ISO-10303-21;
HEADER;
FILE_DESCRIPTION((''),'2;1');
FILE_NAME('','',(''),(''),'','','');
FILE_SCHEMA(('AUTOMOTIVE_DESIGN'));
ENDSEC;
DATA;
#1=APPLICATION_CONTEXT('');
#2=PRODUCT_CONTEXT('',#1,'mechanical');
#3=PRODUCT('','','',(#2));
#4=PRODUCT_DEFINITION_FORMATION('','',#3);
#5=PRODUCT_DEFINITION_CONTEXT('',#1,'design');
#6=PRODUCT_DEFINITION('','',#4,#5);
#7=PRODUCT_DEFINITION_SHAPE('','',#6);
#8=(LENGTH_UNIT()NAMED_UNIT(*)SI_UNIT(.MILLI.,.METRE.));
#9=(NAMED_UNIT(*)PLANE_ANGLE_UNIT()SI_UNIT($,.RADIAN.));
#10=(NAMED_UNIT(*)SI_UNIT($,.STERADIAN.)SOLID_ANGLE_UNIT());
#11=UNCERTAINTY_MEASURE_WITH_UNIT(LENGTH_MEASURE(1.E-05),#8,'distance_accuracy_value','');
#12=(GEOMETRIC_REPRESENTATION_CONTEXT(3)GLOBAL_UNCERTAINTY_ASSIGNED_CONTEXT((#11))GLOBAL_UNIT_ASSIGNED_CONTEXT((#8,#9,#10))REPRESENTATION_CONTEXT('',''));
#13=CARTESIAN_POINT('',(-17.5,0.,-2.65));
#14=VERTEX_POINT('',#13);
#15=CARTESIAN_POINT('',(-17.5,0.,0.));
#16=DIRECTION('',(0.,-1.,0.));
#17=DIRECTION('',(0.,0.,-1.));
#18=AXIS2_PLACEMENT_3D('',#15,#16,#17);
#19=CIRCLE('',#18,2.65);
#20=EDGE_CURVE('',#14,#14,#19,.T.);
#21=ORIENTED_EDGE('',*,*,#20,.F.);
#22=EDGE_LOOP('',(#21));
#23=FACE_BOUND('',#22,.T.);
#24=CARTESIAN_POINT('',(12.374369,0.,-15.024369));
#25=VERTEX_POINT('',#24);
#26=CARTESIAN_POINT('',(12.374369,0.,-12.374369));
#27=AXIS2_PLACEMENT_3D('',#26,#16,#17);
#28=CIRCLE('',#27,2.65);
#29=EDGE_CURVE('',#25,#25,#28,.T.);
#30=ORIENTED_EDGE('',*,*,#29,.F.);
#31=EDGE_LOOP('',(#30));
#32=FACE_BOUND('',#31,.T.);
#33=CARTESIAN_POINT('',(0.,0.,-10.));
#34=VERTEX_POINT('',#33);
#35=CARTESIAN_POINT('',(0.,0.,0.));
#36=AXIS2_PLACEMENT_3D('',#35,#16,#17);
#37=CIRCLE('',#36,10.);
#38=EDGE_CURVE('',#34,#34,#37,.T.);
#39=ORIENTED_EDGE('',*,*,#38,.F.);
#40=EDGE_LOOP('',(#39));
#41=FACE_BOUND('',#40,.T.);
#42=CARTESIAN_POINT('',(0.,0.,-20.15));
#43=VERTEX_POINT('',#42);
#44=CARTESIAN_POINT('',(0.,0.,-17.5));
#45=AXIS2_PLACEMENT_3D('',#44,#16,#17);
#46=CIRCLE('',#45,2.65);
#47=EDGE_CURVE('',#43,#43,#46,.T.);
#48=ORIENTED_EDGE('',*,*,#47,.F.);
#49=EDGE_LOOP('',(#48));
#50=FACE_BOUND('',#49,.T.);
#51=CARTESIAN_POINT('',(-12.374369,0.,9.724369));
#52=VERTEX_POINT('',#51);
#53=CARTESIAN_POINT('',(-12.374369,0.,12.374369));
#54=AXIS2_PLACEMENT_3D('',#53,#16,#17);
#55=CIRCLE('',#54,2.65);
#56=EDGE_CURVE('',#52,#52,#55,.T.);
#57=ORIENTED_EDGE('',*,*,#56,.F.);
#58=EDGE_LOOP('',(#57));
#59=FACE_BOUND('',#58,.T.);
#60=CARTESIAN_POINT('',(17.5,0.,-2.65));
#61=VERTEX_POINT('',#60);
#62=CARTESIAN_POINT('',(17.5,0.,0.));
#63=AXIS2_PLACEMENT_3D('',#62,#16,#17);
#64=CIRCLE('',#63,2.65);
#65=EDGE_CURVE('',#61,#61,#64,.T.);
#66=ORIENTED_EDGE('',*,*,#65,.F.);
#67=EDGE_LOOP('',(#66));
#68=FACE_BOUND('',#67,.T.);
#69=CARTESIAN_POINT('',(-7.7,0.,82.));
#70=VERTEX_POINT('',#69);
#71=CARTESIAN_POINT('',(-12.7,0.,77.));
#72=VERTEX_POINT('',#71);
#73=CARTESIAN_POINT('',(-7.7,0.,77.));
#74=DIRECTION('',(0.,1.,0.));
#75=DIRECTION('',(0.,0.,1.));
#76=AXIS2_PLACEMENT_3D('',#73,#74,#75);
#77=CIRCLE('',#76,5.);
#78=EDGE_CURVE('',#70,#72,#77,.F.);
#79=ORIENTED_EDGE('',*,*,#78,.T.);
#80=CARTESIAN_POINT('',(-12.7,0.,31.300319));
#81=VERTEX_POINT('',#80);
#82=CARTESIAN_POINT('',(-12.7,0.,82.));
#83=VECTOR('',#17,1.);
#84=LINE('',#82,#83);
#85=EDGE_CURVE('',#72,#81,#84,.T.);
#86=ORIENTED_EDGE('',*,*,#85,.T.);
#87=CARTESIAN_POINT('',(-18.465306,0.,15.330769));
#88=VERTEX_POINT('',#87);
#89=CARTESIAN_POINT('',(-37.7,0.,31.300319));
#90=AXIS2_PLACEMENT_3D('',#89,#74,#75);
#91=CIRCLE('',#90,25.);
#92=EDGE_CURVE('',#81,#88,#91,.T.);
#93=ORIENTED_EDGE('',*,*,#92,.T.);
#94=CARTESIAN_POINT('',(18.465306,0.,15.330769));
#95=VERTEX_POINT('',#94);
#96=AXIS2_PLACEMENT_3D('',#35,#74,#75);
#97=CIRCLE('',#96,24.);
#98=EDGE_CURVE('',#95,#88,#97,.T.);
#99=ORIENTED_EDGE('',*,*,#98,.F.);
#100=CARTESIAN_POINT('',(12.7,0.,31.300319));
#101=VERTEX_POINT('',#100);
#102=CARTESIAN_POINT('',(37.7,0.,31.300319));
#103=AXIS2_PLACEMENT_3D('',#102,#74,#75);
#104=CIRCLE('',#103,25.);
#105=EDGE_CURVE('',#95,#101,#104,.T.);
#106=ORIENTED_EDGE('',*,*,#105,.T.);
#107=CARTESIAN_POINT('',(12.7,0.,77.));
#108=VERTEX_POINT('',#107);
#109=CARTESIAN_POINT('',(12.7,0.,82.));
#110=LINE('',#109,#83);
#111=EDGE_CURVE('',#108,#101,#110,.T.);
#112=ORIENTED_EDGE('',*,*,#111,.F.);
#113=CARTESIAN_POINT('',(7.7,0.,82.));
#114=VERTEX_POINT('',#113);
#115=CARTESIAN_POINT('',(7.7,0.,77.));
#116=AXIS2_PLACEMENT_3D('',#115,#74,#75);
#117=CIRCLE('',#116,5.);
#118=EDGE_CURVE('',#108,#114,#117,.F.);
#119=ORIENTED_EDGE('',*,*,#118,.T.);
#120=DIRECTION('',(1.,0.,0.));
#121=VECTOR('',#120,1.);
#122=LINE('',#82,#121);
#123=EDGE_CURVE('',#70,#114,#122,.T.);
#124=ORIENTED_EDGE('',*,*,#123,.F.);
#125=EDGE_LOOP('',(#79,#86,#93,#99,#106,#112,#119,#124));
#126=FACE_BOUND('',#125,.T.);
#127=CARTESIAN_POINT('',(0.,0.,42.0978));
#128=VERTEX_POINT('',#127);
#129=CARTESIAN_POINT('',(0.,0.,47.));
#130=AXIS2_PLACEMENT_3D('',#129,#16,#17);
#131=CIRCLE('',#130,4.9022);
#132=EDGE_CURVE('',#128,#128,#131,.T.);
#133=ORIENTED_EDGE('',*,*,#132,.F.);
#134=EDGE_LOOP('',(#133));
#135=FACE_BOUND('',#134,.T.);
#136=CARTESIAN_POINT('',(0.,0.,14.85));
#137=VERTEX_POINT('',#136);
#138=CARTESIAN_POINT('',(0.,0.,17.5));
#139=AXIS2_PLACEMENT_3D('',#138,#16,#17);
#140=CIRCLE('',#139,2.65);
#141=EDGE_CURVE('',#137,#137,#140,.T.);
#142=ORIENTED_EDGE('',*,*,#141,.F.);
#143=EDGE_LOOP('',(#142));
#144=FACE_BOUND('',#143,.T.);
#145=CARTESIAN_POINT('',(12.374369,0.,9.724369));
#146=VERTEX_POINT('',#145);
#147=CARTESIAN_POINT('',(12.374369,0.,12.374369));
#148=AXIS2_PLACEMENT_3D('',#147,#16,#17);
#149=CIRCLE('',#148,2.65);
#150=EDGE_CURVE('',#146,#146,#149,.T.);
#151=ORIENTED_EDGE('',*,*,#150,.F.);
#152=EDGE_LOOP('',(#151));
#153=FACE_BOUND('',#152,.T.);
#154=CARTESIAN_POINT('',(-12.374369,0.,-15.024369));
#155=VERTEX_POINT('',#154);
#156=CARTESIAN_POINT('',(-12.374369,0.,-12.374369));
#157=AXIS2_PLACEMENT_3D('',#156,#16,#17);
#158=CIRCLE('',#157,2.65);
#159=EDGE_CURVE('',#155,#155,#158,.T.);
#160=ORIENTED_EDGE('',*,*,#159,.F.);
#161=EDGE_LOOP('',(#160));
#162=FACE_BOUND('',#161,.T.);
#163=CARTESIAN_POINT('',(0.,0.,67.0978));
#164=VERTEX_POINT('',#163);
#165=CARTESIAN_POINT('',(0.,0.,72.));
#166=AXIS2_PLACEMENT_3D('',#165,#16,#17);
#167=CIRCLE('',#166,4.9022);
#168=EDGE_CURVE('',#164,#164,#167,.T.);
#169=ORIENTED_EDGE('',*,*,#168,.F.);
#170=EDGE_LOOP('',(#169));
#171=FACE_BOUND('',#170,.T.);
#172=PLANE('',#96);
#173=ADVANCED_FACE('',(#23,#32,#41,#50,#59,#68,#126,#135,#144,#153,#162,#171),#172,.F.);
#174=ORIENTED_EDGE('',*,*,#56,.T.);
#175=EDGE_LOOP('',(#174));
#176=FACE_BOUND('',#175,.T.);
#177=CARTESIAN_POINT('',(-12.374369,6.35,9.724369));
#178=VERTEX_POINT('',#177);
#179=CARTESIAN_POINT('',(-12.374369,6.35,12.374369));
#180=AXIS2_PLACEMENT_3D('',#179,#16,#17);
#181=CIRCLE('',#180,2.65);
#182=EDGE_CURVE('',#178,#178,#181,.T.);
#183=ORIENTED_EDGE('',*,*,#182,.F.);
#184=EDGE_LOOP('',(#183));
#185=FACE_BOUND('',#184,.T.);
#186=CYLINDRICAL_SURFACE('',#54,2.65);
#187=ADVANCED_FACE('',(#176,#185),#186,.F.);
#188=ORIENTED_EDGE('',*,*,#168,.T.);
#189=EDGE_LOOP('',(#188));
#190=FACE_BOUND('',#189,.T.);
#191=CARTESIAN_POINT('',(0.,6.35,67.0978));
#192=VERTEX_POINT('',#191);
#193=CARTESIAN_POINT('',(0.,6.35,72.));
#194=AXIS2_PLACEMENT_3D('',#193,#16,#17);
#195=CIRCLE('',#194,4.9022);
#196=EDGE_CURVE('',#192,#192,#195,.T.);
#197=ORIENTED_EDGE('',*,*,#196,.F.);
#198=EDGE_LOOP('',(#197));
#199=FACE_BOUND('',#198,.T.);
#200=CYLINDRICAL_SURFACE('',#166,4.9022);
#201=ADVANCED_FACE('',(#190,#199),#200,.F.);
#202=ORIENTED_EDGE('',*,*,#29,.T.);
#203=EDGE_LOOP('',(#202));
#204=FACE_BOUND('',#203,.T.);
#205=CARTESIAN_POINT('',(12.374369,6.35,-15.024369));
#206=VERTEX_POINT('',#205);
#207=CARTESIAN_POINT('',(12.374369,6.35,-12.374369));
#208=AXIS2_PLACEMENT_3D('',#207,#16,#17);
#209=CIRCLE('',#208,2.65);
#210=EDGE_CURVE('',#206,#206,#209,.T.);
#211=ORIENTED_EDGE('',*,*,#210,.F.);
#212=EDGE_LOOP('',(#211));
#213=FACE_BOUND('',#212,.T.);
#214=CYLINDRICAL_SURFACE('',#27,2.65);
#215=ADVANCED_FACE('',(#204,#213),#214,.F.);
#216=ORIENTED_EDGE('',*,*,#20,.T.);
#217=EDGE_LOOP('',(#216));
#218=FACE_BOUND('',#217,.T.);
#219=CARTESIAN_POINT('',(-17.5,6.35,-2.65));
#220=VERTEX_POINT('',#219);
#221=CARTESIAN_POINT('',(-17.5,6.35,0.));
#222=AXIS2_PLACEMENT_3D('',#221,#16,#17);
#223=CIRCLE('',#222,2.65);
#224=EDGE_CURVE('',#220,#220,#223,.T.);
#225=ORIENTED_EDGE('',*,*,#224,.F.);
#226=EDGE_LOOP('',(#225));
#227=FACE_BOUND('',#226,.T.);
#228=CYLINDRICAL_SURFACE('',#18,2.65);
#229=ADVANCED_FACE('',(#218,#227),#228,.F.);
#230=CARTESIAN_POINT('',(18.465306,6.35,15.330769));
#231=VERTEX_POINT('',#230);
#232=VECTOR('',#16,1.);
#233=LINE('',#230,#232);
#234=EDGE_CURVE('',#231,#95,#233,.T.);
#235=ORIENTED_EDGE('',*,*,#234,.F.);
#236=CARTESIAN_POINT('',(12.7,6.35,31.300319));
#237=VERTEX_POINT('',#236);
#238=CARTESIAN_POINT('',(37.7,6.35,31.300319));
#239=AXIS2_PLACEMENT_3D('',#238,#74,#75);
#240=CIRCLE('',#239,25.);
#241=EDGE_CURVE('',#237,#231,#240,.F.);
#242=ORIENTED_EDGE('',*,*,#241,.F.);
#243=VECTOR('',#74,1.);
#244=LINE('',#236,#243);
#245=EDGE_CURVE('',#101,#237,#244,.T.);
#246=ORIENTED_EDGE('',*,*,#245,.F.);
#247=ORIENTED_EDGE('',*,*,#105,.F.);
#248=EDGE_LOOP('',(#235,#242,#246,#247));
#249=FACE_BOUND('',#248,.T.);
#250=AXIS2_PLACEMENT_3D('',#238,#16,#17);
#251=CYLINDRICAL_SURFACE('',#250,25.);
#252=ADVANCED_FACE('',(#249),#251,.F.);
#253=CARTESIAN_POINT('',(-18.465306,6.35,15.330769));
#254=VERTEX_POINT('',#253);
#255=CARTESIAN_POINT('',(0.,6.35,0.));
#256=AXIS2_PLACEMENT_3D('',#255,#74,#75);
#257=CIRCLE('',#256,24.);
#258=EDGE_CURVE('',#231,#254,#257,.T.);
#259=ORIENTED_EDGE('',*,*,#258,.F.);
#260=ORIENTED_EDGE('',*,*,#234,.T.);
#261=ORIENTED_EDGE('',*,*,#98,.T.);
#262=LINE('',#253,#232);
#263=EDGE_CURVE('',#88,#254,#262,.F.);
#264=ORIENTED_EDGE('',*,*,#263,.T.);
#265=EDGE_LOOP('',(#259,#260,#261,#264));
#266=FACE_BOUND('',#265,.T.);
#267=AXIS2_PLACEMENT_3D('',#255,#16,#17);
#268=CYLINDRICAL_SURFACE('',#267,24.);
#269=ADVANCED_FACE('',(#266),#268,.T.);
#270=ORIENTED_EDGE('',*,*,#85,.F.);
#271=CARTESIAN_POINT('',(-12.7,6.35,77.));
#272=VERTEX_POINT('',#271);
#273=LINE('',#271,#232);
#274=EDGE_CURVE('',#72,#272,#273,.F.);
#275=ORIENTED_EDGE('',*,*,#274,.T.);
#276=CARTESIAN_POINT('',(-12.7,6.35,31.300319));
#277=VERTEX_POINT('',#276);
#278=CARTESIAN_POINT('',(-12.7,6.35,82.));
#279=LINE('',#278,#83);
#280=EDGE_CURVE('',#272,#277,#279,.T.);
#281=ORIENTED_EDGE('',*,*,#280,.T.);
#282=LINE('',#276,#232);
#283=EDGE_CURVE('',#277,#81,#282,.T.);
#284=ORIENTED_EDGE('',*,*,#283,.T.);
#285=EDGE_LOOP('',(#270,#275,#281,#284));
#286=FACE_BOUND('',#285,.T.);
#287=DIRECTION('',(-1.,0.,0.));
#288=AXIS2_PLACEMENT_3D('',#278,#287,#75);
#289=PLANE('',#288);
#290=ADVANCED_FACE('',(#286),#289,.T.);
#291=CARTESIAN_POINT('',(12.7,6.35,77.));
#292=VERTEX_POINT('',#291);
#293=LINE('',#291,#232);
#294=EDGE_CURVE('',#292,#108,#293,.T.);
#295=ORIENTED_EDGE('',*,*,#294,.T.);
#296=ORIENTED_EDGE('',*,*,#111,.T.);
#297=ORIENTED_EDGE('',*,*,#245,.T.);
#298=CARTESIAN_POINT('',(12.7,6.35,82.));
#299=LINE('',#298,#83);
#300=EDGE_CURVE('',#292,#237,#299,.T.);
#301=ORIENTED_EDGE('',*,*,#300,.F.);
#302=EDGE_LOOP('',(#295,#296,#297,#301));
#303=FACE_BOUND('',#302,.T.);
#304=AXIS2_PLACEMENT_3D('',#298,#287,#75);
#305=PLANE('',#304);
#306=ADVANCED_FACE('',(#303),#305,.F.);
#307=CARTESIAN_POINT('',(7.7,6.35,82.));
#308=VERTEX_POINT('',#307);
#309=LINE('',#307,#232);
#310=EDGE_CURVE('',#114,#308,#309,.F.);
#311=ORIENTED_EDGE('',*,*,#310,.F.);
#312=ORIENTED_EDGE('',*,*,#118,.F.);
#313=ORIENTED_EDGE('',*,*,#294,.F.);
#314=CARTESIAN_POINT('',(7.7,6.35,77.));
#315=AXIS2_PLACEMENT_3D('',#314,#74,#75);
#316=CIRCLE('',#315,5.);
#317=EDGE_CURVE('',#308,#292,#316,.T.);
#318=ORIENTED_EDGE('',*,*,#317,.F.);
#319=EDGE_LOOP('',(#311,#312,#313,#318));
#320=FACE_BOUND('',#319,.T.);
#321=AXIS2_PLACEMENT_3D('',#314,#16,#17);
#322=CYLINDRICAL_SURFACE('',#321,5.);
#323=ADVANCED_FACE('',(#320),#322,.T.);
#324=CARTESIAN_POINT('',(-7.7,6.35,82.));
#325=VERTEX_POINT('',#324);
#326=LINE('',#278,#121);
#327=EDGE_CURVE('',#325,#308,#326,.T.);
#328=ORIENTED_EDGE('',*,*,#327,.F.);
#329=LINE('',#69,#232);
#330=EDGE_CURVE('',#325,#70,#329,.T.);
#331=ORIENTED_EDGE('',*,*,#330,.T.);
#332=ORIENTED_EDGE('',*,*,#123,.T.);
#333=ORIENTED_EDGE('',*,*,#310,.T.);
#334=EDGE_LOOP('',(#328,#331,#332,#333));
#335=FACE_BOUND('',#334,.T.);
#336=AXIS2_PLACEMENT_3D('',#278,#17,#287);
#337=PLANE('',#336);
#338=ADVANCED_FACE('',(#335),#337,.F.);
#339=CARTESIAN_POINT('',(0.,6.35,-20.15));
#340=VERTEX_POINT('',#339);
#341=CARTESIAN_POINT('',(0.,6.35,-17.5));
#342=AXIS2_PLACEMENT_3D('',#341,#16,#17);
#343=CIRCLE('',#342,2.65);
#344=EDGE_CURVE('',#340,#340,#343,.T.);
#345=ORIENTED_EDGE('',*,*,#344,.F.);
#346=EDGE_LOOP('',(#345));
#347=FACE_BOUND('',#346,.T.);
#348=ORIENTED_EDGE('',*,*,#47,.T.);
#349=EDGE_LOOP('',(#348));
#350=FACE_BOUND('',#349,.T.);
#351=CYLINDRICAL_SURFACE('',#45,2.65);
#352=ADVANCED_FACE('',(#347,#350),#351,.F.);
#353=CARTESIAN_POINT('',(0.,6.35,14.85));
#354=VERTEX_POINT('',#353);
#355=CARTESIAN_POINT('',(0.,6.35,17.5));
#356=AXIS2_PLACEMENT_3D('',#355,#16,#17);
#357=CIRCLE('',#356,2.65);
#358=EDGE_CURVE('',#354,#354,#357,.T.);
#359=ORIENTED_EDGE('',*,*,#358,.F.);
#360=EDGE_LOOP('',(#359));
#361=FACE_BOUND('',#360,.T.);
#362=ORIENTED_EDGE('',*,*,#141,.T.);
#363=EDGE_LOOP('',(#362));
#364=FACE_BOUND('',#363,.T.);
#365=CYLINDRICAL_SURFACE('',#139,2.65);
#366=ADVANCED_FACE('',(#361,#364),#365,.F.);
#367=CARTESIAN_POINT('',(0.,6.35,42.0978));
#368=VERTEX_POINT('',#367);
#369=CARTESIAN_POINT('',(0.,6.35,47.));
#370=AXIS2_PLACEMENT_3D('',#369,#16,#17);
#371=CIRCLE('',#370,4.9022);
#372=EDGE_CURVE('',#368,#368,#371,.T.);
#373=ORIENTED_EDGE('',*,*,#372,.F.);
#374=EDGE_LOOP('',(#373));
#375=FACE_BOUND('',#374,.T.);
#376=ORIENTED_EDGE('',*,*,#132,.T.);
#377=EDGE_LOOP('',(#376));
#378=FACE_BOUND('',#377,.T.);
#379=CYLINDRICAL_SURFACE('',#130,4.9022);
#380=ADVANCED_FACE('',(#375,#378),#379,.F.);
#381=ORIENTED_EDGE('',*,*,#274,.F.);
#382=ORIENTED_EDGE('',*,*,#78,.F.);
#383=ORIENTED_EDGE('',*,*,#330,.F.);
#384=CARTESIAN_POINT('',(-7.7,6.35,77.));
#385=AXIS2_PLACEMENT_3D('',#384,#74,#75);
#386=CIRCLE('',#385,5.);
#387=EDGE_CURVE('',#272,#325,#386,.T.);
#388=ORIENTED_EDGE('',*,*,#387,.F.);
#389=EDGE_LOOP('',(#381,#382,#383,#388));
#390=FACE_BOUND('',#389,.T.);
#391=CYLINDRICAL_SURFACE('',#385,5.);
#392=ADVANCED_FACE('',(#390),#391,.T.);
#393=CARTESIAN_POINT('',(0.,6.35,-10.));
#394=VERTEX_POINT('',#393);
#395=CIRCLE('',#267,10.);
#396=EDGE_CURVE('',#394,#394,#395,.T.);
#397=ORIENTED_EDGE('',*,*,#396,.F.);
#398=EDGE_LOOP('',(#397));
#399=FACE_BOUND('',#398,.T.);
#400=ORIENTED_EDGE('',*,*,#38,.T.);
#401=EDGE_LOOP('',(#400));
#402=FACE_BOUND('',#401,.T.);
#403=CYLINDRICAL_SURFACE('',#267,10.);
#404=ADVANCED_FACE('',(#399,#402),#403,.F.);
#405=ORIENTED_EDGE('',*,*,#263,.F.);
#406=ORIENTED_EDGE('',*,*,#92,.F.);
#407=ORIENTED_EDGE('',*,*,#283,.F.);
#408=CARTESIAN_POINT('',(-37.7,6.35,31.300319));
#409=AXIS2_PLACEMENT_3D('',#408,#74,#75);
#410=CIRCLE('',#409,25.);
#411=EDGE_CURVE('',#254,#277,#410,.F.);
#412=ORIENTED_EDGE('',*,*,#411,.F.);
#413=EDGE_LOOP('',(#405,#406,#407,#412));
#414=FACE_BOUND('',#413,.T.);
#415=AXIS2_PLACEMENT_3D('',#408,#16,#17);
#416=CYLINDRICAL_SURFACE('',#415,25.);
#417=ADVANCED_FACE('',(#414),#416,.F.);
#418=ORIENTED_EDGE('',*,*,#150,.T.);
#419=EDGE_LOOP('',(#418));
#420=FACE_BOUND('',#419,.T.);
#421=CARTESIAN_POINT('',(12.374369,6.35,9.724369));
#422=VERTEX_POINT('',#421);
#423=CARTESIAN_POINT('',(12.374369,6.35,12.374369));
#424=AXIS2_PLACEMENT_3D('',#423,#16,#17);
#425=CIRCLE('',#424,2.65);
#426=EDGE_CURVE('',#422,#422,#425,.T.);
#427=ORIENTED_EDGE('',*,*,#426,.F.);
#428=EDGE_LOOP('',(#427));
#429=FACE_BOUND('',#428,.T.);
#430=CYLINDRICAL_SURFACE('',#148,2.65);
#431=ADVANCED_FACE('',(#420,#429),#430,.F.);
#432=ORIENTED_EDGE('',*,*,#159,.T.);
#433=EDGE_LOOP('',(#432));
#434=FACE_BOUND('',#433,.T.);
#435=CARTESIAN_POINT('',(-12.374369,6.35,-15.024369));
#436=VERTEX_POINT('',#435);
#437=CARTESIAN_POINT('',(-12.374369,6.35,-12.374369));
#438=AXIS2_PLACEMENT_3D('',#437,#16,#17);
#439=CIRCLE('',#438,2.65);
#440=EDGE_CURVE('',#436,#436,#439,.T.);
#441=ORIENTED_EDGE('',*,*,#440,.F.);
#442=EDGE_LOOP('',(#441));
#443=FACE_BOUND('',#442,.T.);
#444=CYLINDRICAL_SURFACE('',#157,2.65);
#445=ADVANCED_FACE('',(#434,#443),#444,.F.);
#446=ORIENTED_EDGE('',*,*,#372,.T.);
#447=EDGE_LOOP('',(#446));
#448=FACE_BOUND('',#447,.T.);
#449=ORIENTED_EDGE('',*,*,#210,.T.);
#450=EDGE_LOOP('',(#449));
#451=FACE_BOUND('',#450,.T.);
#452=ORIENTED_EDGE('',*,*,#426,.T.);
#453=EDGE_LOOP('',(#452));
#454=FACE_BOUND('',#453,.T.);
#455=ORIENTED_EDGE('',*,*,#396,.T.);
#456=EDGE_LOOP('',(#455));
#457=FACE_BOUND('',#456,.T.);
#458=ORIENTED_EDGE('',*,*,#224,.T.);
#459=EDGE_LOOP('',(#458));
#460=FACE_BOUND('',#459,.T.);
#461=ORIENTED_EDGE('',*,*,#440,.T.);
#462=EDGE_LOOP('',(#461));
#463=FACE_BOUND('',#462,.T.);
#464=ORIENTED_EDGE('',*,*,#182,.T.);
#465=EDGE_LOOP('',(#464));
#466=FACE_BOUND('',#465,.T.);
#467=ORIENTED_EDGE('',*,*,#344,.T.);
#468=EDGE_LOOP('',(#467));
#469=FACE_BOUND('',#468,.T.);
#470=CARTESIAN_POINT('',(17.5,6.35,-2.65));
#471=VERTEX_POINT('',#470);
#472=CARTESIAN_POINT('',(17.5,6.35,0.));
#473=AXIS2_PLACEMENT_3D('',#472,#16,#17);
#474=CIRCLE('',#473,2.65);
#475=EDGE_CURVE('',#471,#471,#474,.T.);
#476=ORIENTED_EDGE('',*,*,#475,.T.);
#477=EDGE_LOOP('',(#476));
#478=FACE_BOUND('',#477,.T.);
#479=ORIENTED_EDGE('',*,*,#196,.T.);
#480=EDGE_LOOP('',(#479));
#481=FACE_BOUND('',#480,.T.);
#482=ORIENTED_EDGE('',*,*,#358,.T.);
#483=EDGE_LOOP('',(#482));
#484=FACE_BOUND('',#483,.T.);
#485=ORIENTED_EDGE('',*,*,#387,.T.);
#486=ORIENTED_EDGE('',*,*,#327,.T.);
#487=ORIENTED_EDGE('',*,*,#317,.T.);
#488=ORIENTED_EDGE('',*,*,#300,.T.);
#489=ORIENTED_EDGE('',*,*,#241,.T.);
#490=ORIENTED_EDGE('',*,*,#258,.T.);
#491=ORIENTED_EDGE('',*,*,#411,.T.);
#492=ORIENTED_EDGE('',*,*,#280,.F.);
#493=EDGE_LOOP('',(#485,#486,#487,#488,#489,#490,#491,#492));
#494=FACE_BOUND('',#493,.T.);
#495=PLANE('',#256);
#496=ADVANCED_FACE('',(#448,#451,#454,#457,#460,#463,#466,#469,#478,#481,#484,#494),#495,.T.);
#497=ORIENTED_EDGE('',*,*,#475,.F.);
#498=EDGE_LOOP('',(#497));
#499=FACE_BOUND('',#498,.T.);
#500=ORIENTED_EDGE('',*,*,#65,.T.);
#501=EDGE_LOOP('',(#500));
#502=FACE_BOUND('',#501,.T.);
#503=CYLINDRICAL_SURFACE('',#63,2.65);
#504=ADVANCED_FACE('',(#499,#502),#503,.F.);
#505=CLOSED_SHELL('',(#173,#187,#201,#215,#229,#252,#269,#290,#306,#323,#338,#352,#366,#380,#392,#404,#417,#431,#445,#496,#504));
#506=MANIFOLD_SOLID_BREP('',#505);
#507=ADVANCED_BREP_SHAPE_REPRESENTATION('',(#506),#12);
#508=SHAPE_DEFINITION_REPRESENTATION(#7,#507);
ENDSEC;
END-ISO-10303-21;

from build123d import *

# Parameters (mm, degrees)
BOSS_EXTRUDE1_DEPTH     = 6.35
M5_CLEARANCE_HOLE1_D    = 5.3
SKETCH5_R               = 10
CUT_EXTRUDE1_DEPTH      = 86.675682081
FILLET1_R               = 25
FILLET2_R               = 5
F_3_8_CLEARANCE_HOLE1_D = 9.8044


with BuildPart() as part:
    # Sketch1 → Boss-Extrude1 (new body)
    with BuildSketch(Plane(origin=(0, 0, 0), x_dir=(1, 0, 0), z_dir=(0, 1, 0))):
        with BuildLine():
            Line((-12.7, -82), (12.7, -82))
            Line((12.7, -82), (12.7, -20.364429774))
            ThreePointArc((12.7, -20.364429774), (0, 24), (-12.7, -20.364429774))
            Line((-12.7, -20.364429774), (-12.7, -82))
        make_face()
    extrude(amount=BOSS_EXTRUDE1_DEPTH)

    # M5 Clearance Hole1 (through all)
    with Locations(Plane(origin=(0, 0, 0), x_dir=(-1, 0, 0), z_dir=(0, -1, 0))):
        with Locations((0, 17.5), (12.374368671, 12.374368671), (17.5, 0), (12.374368671, -12.374368671), (0, -17.5), (-12.374368671, -12.374368671), (-17.5, 0), (-12.374368671, 12.374368671)):
            Hole(M5_CLEARANCE_HOLE1_D / 2)

    # Sketch5 → Cut-Extrude1 (cut, through all)
    with BuildSketch(Plane.XZ):
        Circle(SKETCH5_R)
    extrude(amount=-CUT_EXTRUDE1_DEPTH, mode=Mode.SUBTRACT)

    # Fillet1
    fillet1_edges = [part.edges().sort_by_distance(p)[0] for p in [
        (-12.7, 3.175, 20.364429774),
        (12.7, 3.175, 20.364429774),
    ]]
    fillet(fillet1_edges, radius=FILLET1_R)

    # Fillet2
    fillet2_edges = [part.edges().sort_by_distance(p)[0] for p in [
        (12.7, 3.175, 82),
        (-12.7, 3.175, 82),
    ]]
    fillet(fillet2_edges, radius=FILLET2_R)

    # 3/8 Clearance Hole1 (through all)
    with Locations(Plane(origin=(0, 0, 0), x_dir=(-1, 0, 0), z_dir=(0, -1, 0))):
        with Locations((0, -47), (0, -72)):
            Hole(F_3_8_CLEARANCE_HOLE1_D / 2)


solid = part.part
